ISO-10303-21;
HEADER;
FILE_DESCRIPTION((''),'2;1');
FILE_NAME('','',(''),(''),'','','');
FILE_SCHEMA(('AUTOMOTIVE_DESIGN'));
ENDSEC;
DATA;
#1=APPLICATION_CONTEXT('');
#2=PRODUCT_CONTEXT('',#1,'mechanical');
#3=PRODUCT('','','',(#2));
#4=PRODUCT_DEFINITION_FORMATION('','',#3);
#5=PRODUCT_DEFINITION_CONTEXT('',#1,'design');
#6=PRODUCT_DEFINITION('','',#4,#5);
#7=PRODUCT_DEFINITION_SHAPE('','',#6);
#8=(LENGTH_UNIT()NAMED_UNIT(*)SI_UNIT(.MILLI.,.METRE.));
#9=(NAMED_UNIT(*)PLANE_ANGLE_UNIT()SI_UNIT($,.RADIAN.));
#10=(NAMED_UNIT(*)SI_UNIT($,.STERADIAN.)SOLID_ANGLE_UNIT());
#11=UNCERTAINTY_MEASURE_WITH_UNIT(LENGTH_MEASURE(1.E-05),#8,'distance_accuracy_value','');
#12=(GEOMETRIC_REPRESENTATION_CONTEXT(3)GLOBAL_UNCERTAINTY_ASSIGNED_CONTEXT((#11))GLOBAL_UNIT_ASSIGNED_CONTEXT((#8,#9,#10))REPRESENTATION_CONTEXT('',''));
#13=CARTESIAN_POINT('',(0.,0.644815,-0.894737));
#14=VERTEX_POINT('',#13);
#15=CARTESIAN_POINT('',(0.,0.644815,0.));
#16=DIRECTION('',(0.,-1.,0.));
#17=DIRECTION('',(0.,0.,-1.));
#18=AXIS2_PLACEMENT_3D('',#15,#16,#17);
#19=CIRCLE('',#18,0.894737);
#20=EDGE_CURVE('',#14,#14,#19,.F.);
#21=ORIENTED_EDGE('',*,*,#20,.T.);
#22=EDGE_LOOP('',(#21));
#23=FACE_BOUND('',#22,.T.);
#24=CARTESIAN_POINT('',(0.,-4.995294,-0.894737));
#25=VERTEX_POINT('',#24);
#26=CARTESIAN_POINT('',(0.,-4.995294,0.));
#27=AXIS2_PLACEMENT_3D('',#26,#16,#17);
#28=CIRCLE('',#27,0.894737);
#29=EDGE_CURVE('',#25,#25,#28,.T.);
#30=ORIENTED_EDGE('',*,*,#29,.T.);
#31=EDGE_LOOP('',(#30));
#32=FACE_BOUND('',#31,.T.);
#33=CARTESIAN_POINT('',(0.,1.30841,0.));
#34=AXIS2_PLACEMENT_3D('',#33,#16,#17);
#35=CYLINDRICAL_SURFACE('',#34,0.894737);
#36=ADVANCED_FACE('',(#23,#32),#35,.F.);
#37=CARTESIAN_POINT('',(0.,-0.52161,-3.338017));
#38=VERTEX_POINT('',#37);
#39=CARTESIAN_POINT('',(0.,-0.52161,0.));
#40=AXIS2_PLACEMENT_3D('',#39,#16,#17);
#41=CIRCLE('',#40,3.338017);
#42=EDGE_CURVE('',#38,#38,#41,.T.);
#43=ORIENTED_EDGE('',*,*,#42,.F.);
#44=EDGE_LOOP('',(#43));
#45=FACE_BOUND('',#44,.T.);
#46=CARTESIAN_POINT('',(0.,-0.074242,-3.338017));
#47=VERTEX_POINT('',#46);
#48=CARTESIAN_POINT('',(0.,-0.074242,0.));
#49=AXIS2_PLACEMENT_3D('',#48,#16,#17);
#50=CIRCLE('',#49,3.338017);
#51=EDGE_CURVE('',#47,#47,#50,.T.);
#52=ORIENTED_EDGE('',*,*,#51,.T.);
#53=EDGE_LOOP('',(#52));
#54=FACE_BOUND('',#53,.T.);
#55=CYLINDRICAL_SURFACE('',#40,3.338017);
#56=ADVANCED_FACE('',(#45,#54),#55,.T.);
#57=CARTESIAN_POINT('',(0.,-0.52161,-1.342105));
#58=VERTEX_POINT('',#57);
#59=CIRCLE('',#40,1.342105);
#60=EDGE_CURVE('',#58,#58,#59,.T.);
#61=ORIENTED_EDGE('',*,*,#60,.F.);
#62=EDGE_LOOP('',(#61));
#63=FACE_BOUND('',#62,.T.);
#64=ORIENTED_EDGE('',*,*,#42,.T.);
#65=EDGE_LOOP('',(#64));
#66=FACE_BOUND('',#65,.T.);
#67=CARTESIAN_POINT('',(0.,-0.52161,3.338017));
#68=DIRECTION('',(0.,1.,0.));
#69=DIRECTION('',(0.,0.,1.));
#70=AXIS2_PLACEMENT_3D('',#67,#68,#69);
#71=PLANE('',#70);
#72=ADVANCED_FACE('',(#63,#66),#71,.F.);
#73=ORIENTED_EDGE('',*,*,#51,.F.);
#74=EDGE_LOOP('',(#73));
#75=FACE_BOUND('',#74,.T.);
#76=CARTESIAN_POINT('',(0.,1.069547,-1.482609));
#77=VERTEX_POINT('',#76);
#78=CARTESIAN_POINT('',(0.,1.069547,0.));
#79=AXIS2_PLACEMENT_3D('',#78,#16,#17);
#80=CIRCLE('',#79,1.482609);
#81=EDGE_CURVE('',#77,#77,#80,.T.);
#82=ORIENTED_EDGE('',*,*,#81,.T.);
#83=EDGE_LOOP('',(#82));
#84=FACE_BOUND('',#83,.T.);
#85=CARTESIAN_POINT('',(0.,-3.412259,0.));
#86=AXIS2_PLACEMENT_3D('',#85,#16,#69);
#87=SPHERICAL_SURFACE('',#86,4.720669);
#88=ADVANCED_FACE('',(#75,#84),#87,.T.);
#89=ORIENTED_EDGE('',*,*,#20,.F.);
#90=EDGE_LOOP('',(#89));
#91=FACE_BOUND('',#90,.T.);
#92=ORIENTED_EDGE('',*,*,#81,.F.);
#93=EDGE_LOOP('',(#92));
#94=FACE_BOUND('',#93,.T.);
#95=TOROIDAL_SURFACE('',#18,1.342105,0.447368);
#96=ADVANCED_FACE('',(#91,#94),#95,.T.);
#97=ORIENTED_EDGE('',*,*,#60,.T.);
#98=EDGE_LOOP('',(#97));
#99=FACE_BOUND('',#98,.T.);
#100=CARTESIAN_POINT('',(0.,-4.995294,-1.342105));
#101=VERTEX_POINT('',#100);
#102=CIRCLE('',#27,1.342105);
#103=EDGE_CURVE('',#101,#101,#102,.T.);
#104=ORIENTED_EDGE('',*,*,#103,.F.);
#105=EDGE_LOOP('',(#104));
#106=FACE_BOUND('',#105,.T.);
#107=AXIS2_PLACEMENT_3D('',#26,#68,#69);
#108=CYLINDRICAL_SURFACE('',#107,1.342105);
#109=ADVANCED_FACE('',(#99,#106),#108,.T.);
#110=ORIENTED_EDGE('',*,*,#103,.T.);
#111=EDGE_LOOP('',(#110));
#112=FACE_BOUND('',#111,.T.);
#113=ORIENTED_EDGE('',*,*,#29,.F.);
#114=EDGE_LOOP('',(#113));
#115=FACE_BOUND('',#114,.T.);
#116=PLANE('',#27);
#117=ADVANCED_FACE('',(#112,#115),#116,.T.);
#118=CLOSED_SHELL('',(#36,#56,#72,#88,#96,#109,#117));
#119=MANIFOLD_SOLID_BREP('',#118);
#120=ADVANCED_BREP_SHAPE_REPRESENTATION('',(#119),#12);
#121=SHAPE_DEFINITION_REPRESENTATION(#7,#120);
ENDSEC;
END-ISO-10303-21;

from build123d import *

# Parameters (mm, degrees)
SKETCH3_R           = 1.5
BOSS_EXTRUDE1_DEPTH = 5
SKETCH4_R           = 1
CUT_EXTRUDE1_DEPTH  = 8.04531685
FILLET1_R           = 0.5
SCALE_1_SCALE       = 0.894736842


with BuildPart() as part:
    # Sketch2 → Revolve2 (revolve)
    with BuildSketch(Plane(origin=(0, 0, 0), x_dir=(0, 0, -1), z_dir=(1, 0, 0))):
        with BuildLine():
            Line((0, 1.54531685), (0, 0))
            Line((0, 0), (0, -0.5))
            Line((0, -0.5), (-3.730724896, -0.5))
            Line((-3.730724896, -0.5), (-3.730724896, 0))
            ThreePointArc((-3.730724896, 0), (-2.019053765, 1.143702085), (0, 1.54531685))
        make_face()
    revolve(axis=Axis((0, -0.5, 0), (0, 1, 0)))

    # Sketch3 → Boss-Extrude1 (add)
    with BuildSketch(Plane.XZ.offset(0.5)):
        Circle(SKETCH3_R)
    extrude(amount=BOSS_EXTRUDE1_DEPTH)

    # Sketch4 → Cut-Extrude1 (cut, through all)
    with BuildSketch(Plane.XZ.offset(5.5)):
        Circle(SKETCH4_R)
    extrude(amount=-CUT_EXTRUDE1_DEPTH, mode=Mode.SUBTRACT)

    # Fillet1
    fillet1_edges = [part.edges().sort_by_distance(p)[0] for p in [
        (-0.707106781, 1.449682086, -0.707106781),
    ]]
    fillet(fillet1_edges, radius=FILLET1_R)


with BuildPart() as part_1:
    # ｽｹｰﾙ1: scaled about (5.91e-07, -0.705292116, -1.889e-06)
    add(part.part.scale(SCALE_1_SCALE).moved(Location((6.2e-08, -0.074241275, -1.99e-07))))


solid = part_1.part
